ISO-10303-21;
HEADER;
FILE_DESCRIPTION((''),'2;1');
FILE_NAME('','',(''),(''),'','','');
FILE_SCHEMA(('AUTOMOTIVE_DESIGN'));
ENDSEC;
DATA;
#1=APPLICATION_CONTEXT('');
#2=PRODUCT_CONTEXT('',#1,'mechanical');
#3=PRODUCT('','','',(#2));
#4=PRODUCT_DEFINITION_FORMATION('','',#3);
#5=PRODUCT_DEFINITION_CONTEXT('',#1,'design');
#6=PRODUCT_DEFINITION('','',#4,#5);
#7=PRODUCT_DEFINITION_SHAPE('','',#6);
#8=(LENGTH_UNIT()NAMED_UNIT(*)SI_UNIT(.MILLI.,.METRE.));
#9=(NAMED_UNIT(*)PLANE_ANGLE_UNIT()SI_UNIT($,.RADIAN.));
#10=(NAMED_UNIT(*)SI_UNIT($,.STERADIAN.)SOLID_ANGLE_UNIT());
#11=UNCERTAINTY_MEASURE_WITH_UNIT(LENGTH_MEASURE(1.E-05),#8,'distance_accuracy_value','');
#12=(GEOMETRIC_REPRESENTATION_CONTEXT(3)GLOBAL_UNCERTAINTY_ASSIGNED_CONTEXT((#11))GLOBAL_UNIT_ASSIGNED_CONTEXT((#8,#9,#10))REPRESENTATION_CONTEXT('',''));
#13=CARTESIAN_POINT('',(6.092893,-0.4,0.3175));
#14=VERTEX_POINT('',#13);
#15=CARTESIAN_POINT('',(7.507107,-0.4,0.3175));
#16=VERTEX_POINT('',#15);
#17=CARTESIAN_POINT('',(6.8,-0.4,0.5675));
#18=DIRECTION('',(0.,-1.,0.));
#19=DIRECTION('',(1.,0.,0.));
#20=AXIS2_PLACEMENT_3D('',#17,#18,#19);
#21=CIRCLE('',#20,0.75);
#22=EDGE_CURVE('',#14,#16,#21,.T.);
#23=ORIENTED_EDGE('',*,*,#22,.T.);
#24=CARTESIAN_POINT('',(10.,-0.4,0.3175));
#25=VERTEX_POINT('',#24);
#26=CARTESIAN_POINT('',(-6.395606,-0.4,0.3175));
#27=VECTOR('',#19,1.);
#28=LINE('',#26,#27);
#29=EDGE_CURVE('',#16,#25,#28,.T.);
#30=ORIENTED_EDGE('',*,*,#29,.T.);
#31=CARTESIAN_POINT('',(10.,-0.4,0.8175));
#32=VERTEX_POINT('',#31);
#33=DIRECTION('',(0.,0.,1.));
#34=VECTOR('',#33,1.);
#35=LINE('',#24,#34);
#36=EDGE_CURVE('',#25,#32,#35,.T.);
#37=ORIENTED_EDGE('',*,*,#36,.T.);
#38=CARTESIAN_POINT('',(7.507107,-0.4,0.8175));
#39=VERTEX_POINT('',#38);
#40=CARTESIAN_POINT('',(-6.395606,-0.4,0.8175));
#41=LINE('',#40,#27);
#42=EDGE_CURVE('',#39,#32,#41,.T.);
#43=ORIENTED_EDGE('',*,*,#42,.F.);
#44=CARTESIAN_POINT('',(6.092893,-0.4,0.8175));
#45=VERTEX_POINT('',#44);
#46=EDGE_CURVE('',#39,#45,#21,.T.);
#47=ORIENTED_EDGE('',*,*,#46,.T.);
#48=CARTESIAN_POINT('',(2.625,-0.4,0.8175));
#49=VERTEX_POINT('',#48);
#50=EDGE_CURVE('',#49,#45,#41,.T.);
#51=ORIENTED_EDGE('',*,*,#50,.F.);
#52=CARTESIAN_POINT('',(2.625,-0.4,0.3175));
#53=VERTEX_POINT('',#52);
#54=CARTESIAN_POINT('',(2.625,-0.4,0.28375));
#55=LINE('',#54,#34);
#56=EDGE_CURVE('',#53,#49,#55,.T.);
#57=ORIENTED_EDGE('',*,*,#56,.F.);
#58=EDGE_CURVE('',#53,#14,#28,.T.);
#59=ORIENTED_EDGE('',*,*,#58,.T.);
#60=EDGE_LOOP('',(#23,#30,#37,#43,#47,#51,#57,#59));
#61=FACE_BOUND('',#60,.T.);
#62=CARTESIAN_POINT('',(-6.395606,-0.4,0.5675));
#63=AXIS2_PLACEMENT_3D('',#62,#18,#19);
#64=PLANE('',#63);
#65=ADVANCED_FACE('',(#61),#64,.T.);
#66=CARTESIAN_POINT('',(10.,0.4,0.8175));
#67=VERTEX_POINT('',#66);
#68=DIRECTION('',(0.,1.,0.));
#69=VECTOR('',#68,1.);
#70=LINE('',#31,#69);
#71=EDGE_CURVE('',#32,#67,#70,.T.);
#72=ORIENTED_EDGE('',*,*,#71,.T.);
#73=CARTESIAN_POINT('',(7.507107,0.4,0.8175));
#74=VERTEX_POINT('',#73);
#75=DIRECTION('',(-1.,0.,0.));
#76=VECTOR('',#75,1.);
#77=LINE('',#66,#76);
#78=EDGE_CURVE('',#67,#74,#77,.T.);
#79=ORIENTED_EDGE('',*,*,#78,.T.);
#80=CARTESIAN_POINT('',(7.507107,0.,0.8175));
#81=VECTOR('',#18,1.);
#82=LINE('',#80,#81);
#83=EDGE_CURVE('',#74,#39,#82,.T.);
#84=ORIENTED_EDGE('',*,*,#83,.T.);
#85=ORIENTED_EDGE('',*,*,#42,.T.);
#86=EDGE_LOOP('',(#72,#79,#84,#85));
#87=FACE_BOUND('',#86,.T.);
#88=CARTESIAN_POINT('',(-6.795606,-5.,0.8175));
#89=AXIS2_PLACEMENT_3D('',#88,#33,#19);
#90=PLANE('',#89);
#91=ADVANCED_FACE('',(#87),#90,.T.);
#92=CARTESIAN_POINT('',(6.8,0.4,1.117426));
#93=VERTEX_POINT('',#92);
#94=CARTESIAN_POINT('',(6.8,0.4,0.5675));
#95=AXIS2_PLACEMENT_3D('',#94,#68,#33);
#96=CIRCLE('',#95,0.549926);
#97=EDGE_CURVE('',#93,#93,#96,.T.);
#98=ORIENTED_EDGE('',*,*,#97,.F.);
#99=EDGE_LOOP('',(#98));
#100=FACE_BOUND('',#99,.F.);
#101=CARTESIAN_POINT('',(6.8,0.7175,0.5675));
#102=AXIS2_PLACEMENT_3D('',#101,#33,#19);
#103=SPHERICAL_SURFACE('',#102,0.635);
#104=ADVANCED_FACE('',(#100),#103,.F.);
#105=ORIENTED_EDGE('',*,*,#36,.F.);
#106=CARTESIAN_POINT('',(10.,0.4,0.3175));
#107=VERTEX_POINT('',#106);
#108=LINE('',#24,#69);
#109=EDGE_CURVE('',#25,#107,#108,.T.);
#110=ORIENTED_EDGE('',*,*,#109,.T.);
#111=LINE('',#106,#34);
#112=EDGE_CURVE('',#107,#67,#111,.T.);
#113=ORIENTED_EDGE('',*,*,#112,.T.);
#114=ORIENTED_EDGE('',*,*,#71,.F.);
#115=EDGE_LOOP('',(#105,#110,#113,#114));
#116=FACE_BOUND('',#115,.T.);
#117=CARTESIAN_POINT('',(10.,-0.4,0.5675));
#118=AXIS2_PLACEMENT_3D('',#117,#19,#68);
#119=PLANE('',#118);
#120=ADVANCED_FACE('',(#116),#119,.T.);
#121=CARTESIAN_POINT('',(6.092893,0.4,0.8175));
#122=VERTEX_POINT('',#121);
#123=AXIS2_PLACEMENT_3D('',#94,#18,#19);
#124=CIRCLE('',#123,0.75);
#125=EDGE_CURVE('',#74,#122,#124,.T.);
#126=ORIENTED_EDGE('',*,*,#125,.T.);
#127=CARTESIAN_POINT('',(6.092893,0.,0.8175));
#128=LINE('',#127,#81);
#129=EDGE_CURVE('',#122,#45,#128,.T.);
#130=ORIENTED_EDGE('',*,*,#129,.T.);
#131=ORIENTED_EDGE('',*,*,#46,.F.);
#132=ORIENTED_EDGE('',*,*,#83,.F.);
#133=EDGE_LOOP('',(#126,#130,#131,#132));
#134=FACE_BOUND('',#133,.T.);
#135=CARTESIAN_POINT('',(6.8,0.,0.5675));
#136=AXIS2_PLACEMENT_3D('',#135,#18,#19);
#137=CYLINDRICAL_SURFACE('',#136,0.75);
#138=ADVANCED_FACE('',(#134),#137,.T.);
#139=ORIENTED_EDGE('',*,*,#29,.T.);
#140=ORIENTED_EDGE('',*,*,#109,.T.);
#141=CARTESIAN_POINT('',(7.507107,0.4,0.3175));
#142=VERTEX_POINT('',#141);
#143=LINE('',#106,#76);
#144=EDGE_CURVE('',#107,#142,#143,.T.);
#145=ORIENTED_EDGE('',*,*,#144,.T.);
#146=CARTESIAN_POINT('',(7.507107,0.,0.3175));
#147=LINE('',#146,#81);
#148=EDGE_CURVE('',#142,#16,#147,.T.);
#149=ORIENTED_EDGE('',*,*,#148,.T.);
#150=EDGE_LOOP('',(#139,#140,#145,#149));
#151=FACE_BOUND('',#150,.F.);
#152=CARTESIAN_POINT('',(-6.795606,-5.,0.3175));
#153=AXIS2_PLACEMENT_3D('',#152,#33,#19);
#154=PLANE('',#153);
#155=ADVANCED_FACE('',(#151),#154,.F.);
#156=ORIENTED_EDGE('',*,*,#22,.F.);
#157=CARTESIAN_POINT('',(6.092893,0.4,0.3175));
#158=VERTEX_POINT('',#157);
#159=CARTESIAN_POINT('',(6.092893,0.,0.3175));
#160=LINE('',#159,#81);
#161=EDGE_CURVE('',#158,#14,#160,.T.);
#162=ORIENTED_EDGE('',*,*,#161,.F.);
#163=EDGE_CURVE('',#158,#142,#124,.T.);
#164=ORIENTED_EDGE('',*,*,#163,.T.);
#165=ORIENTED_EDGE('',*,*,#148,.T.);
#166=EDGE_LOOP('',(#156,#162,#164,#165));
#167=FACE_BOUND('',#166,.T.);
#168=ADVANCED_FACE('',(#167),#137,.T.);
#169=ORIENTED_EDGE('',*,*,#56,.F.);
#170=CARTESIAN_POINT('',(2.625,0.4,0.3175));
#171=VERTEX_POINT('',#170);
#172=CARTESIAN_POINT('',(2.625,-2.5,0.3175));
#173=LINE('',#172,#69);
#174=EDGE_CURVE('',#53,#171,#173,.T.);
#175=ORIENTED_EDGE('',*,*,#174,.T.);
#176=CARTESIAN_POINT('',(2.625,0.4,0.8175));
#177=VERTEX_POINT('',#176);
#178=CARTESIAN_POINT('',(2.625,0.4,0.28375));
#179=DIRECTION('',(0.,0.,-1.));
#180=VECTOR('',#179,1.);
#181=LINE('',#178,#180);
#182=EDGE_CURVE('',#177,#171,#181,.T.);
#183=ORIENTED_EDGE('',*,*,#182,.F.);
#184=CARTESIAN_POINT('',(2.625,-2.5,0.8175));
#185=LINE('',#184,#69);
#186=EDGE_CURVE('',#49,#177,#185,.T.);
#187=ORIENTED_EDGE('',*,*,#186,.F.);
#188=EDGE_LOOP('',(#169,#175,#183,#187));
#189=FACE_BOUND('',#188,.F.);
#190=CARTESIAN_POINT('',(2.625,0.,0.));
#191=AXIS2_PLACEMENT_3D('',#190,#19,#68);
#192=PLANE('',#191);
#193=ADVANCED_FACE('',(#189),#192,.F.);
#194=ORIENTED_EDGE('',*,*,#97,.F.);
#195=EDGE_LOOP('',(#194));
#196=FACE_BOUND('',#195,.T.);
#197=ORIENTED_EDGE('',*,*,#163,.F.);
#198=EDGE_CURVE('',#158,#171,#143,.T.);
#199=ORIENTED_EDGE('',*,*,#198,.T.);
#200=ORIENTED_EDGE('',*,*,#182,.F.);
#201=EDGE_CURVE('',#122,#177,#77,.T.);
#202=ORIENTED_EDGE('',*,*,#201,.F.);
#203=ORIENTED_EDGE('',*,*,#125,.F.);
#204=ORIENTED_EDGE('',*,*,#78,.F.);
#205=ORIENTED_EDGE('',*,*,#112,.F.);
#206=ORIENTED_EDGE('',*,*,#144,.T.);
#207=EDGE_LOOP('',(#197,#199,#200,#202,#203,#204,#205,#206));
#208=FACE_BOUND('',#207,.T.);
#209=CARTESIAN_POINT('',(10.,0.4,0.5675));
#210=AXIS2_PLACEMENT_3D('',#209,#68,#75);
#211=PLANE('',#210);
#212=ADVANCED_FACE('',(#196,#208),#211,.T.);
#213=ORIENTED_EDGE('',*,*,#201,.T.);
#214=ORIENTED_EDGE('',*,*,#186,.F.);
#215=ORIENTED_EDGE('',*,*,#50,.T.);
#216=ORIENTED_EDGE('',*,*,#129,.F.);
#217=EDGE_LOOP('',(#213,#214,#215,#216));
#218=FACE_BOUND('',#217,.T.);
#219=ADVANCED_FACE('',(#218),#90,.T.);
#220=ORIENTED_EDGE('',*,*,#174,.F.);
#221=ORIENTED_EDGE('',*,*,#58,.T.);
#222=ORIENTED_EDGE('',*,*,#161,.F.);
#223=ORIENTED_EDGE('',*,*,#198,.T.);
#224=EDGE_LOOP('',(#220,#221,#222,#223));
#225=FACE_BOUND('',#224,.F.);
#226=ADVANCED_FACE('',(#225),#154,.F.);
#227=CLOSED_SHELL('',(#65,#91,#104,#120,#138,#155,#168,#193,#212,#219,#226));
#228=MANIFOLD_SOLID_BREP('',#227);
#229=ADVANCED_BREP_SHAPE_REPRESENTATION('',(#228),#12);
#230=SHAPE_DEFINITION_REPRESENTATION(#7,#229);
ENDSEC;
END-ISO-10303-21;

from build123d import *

# Parameters (mm, degrees)
PAD_DEPTH    = 0.25
SKETCH001_R  = 0.75
PAD001_DEPTH = 0.25
SKETCH002_R  = 0.75
PAD002_DEPTH = 0.25
SKETCH003_R  = 0.75
PAD003_DEPTH = 0.25
SKETCH004_R  = 0.75
PAD004_DEPTH = 0.4
SKETCH005_W  = 20
SKETCH005_H  = 20
POCKET_DEPTH = 10.171606


with BuildPart() as part:
    # Sketch (on DatumPlane) → Pad (new body, symmetric)
    with BuildSketch(Plane.XY.offset(0.5675)):
        Polygon((-7.195606, 5), (-7.195606, 0), (-7.195606, -5), (-6.795606, -5), (-6.395606, -5), (-6.395606, -0.4), (10, -0.4), (10, 0.4), (-6.395606, 0.4), (-6.395606, 5), (-6.795606, 5), align=None)
    extrude(amount=PAD_DEPTH, both=True)

    # Sketch001 (on DatumPlane) → Pad001 (join, symmetric)
    with BuildSketch(Plane.XY.offset(0.5675)):
        Circle(SKETCH001_R)
    extrude(amount=PAD001_DEPTH, both=True)

    # Sketch002 (on DatumPlane) → Pad002 (join, symmetric)
    with BuildSketch(Plane.XY.offset(0.5675)):
        with Locations((-6.795606, 5)):
            Circle(SKETCH002_R)
    extrude(amount=PAD002_DEPTH, both=True)

    # Sketch003 (on DatumPlane) → Pad003 (join, symmetric)
    with BuildSketch(Plane.XY.offset(0.5675)):
        with Locations((-6.795606, -5)):
            Circle(SKETCH003_R)
    extrude(amount=PAD003_DEPTH, both=True)

    # Sphere → Sphere (revolve, cut)
    with BuildSketch(Plane.XZ):
        with BuildLine():
            ThreePointArc((0, -0.635), (0.635, 0), (0, 0.635))
            Line((0, 0.635), (0, -0.635))
        make_face()
    revolve(axis=Axis((0, 0, 0), (0, 0, 1)), mode=Mode.SUBTRACT)

    # Sphere001 → Sphere001 (revolve, cut)
    with BuildSketch(Plane(origin=(-6.795606, 5, 1.135), x_dir=(1, 0, 0), z_dir=(0, -1, 0))):
        with BuildLine():
            ThreePointArc((0, -0.635), (0.635, 0), (0, 0.635))
            Line((0, 0.635), (0, -0.635))
        make_face()
    revolve(axis=Axis((-6.795606, 5, 1.135), (0, 0, 1)), mode=Mode.SUBTRACT)

    # Sphere002 → Sphere002 (revolve, cut)
    with BuildSketch(Plane(origin=(-6.795606, -5, 1.135), x_dir=(1, 0, 0), z_dir=(0, -1, 0))):
        with BuildLine():
            ThreePointArc((0, -0.635), (0.635, 0), (0, 0.635))
            Line((0, 0.635), (0, -0.635))
        make_face()
    revolve(axis=Axis((-6.795606, -5, 1.135), (0, 0, 1)), mode=Mode.SUBTRACT)

    # Sketch004 (on DatumPlane) → Pad004 (join, symmetric)
    with BuildSketch(Plane(origin=(0, 0, 0.5675), x_dir=(1, 0, 0), z_dir=(0, -1, 0))):
        with Locations((6.8, 0)):
            Circle(SKETCH004_R)
    extrude(amount=PAD004_DEPTH, both=True)

    # Sphere003 → Sphere003 (revolve, cut)
    with BuildSketch(Plane(origin=(6.8, 0.7175, 0.5675), x_dir=(1, 0, 0), z_dir=(0, -1, 0))):
        with BuildLine():
            ThreePointArc((0, -0.635), (0.635, 0), (0, 0.635))
            Line((0, 0.635), (0, -0.635))
        make_face()
    revolve(axis=Axis((6.8, 0.7175, 0.5675), (0, 0, 1)), mode=Mode.SUBTRACT)

    # Sketch005 (on DatumPlane) → Pocket (cut, through all)
    with BuildSketch(Plane.YZ.offset(2.625)):
        Rectangle(SKETCH005_W, SKETCH005_H)
    extrude(amount=-POCKET_DEPTH, mode=Mode.SUBTRACT)


solid = part.part
